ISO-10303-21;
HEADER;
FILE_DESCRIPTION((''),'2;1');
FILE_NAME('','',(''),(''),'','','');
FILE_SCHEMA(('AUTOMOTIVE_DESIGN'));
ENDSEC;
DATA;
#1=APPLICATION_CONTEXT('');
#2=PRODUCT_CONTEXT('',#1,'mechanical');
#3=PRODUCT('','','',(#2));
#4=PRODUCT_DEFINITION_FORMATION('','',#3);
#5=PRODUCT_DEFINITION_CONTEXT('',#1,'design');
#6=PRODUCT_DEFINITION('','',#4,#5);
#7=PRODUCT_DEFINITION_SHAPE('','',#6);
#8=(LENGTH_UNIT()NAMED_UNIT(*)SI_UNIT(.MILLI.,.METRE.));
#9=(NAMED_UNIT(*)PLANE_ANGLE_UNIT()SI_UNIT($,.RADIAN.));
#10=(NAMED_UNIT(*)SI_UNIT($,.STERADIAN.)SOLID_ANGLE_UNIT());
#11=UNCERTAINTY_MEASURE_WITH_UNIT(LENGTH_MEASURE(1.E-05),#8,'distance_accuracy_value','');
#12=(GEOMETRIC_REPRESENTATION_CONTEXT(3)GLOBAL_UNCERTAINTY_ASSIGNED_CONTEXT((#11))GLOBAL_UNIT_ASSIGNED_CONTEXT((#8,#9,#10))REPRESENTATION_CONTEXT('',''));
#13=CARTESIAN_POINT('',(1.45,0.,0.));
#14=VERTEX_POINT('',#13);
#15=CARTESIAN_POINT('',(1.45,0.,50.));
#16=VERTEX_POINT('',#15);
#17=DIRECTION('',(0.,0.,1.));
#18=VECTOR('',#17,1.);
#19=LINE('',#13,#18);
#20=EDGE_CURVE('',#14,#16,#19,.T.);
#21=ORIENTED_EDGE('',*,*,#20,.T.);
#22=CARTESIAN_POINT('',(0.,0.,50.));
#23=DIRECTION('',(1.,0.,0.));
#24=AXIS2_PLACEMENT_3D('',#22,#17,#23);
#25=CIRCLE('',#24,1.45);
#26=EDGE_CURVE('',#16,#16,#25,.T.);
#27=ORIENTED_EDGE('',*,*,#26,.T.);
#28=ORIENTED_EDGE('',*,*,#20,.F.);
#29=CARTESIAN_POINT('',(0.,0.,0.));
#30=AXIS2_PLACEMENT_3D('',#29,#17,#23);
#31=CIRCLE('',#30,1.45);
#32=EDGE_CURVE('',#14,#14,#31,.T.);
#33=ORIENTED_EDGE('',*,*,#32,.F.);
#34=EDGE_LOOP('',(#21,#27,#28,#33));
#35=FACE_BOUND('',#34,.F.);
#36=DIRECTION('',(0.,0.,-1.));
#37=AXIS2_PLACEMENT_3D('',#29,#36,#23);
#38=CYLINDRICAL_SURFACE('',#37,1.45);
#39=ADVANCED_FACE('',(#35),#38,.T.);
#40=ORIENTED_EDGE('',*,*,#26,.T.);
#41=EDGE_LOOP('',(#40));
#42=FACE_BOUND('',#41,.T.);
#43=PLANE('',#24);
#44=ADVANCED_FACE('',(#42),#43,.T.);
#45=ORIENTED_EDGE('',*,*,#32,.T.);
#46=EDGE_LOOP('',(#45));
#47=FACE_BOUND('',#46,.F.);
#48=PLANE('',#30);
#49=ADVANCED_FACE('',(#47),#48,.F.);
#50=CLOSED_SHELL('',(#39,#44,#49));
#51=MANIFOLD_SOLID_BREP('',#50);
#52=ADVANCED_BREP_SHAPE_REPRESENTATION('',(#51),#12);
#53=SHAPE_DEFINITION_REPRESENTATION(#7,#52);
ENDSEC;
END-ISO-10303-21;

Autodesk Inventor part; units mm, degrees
ref_plane "YZ Plane" through (0, 0, 0) normal (1, 0, 0) x (0, 1, 0)
ref_plane "XZ Plane" through (0, 0, 0) normal (0, 1, 0) x (-1, 0, 0)
ref_plane "XY Plane" through (0, 0, 0) normal (0, 0, 1) x (1, 0, 0)
sketch "Sketch1" plane through (0, 0, 0) normal (0, 0, 1) x (1, 0, 0)
  circle A0 centre (0, 0) radius 1.45
  dimension "d0" = 2.9
extrude "Extrusion1" add sketch "Sketch1" along normal blind 50
properties material "Iron, Malleable"
